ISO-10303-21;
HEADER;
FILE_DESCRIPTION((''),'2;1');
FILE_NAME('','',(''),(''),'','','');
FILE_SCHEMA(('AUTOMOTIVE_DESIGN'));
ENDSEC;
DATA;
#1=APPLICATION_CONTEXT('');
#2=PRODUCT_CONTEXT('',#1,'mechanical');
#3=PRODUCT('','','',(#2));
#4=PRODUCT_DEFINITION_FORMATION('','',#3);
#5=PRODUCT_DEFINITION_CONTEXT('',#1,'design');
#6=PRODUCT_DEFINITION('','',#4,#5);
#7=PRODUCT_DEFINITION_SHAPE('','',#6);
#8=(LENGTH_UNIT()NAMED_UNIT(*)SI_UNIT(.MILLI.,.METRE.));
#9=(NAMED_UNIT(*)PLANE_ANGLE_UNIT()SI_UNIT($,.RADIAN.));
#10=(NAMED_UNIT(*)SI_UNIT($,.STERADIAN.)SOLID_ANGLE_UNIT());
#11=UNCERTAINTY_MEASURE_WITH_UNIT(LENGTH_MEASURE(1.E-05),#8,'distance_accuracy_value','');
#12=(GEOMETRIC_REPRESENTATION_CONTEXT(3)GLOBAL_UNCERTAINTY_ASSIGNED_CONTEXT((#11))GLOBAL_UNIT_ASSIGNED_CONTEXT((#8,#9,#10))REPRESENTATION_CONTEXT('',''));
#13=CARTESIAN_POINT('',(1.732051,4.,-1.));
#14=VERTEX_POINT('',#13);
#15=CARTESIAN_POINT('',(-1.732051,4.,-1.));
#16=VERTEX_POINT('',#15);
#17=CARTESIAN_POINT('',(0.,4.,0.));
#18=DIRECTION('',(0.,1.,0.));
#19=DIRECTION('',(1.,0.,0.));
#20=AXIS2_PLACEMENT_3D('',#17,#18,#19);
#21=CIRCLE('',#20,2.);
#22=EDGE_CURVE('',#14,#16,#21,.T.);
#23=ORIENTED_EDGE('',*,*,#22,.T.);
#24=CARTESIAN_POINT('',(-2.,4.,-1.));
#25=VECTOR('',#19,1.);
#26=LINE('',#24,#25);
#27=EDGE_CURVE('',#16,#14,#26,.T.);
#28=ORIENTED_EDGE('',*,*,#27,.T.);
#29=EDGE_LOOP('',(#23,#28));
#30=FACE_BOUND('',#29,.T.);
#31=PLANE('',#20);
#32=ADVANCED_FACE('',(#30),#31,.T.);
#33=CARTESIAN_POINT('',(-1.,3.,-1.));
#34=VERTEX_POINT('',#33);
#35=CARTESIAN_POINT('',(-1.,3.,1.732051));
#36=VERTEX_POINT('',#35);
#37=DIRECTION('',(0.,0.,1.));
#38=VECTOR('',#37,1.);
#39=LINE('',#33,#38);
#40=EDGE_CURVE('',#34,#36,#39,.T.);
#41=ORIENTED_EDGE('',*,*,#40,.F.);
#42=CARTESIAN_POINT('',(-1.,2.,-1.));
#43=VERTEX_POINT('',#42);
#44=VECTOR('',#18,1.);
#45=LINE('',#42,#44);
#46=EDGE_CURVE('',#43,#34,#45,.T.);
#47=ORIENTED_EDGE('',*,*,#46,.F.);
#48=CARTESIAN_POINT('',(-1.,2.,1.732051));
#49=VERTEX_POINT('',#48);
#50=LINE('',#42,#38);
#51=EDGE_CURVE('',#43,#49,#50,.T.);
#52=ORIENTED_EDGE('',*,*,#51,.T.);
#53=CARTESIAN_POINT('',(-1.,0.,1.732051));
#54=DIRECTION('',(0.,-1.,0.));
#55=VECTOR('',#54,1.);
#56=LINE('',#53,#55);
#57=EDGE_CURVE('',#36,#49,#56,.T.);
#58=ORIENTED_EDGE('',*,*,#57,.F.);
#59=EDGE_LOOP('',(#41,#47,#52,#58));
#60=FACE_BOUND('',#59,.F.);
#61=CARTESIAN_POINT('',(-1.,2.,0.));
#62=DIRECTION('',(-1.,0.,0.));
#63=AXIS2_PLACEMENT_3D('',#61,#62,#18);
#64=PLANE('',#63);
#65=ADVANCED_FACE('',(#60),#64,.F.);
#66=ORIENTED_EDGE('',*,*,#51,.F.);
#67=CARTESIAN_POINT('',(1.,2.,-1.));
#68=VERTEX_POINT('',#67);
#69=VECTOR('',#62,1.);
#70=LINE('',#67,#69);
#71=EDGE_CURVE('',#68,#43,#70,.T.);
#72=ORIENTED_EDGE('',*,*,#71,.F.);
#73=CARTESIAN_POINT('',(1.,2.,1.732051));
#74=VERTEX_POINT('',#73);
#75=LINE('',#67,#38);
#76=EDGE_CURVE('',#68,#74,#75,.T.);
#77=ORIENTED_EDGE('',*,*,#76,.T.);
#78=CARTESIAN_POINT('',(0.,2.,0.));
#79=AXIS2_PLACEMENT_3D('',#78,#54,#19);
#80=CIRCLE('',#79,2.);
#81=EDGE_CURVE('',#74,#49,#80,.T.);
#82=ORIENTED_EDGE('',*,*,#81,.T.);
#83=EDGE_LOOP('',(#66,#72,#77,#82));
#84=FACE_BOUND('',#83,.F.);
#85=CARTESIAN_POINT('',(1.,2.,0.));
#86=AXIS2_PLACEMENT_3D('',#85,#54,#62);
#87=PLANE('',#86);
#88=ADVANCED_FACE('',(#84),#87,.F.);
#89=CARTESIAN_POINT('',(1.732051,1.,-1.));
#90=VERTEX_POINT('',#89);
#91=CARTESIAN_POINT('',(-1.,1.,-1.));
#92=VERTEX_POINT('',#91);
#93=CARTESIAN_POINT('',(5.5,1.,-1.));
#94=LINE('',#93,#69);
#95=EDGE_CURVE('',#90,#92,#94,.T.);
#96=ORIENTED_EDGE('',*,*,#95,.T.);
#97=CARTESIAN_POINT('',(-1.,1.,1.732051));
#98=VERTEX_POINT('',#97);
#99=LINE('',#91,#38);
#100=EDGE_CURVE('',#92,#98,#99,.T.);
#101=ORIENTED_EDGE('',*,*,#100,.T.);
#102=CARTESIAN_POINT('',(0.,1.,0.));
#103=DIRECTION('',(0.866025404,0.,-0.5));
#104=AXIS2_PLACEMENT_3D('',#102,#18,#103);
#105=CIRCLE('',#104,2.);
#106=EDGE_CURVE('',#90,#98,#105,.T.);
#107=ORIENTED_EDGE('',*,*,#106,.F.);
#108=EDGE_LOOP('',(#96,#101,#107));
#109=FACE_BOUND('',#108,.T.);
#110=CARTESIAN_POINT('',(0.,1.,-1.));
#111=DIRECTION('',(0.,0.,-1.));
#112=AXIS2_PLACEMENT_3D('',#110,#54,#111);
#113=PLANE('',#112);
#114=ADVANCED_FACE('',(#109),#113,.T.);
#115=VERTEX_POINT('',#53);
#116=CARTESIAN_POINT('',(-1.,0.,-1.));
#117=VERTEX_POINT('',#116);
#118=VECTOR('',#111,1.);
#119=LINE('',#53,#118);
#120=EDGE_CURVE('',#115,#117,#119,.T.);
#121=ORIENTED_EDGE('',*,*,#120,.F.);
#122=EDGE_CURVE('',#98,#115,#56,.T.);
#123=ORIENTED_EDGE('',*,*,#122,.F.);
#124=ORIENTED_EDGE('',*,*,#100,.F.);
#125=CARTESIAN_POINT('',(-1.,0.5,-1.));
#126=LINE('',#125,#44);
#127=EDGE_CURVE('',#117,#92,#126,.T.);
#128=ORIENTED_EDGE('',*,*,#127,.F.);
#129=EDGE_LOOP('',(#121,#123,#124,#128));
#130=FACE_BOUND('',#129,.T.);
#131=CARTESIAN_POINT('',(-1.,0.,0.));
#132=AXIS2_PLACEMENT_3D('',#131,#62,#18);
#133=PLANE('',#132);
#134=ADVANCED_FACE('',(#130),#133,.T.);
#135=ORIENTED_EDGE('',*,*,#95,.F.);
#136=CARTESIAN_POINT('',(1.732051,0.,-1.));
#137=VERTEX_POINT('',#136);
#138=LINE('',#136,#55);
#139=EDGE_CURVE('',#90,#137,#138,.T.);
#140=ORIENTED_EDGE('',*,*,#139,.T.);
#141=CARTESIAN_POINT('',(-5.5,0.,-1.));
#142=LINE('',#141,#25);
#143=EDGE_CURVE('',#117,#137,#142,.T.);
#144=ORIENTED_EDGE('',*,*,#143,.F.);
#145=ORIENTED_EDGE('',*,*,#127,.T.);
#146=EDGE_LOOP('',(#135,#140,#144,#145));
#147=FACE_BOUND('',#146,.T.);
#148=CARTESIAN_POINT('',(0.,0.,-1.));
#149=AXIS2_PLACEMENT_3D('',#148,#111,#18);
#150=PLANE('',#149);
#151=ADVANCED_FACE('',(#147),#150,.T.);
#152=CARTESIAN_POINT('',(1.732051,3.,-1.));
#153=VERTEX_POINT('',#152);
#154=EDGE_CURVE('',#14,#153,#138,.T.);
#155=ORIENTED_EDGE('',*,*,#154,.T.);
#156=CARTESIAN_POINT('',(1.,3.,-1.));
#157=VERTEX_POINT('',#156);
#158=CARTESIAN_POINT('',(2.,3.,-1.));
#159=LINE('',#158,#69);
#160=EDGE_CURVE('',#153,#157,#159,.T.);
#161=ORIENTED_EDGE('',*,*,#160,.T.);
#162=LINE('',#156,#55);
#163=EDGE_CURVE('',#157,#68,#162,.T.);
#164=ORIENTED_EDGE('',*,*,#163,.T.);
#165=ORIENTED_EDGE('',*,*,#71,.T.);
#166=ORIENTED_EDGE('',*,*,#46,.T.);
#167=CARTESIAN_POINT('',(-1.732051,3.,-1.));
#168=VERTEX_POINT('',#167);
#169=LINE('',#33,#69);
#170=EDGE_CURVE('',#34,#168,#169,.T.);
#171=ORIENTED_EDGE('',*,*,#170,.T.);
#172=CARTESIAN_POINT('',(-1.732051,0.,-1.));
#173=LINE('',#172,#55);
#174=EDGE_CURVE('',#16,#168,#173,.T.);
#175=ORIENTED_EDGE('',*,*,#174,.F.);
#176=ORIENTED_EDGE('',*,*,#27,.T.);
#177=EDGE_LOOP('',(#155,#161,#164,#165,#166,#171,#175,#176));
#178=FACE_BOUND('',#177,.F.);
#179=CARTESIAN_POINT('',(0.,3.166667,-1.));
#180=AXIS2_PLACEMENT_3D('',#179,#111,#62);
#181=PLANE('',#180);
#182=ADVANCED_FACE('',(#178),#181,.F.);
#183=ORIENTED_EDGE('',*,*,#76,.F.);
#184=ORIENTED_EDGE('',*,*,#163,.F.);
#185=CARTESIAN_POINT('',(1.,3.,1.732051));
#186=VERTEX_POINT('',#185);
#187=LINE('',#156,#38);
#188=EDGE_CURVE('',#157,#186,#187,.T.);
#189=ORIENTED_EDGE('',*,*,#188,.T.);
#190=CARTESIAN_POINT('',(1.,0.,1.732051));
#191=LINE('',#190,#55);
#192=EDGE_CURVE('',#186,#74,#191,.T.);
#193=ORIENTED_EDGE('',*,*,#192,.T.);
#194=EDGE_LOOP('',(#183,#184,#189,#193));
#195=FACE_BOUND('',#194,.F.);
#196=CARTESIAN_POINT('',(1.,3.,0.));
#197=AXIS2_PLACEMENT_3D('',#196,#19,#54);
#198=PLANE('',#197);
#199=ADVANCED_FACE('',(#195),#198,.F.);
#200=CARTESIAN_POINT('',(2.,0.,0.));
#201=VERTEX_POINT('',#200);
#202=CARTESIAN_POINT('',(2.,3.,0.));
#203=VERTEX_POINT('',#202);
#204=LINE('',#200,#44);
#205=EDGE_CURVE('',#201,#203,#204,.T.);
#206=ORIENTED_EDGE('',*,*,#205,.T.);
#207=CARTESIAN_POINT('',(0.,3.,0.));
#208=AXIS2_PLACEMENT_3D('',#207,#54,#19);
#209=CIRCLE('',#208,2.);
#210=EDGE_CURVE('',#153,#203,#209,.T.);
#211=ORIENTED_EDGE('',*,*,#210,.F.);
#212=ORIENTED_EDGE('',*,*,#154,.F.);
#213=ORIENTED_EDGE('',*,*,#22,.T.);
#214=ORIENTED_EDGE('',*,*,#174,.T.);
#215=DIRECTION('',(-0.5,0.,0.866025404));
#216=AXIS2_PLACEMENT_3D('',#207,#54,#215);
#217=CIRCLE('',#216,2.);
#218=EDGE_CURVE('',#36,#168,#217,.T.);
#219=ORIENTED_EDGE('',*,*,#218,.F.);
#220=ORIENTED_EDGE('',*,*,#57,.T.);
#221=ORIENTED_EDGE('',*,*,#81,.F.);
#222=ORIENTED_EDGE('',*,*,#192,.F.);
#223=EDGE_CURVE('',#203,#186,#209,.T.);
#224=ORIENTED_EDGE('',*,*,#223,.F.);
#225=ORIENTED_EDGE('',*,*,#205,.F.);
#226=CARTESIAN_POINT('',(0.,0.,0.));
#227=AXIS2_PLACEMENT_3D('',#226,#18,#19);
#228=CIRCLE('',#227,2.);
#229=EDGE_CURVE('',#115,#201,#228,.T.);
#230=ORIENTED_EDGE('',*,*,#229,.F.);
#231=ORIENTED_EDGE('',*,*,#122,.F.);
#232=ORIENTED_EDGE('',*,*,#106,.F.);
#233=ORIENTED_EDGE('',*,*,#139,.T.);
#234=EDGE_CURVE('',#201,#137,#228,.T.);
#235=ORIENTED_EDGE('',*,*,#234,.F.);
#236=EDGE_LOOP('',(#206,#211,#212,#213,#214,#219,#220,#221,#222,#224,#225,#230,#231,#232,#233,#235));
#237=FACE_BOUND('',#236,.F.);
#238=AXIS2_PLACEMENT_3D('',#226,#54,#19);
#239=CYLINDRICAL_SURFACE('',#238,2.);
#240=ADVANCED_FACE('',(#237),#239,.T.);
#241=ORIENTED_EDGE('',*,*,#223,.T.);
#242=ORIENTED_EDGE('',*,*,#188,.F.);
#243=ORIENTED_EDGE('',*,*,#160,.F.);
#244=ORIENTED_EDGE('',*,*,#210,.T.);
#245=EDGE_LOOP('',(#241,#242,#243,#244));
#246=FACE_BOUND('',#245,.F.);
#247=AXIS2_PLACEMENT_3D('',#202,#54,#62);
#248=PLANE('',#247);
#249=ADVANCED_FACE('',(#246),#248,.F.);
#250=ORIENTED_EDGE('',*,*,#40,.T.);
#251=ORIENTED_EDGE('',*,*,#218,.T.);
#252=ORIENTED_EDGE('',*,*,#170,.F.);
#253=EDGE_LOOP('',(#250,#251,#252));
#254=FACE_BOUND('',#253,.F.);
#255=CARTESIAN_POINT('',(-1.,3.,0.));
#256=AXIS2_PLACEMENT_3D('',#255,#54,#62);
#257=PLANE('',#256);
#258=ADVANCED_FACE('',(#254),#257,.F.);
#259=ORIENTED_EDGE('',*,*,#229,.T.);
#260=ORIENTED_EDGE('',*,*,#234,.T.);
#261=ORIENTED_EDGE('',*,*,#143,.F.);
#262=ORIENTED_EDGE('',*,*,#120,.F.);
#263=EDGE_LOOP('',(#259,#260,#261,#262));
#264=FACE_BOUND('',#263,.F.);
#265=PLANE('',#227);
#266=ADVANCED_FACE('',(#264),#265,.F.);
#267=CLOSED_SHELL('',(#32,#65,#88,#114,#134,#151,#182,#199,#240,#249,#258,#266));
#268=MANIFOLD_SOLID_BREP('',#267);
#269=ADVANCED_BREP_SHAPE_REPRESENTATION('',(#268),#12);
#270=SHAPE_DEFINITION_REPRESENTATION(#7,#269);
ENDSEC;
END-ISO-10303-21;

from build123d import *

# Parameters (mm, degrees)
SKETCH1_R               = 2
BOSS_EXTRUDE1_DEPTH     = 4
SKETCH2_W               = 1
SKETCH2_H               = 1
CUT_EXTRUDE4_DEPTH      = 11
CUT_EXTRUDE4_DEPTH_BACK = 1
SKETCH5_W               = 1
SKETCH5_H               = 1
CUT_EXTRUDE5_DEPTH      = 5.5


with BuildPart() as part:
    # Sketch1 → Boss-Extrude1 (new body)
    with BuildSketch(Plane(origin=(0, 0, 0), x_dir=(1, 0, 0), z_dir=(0, 1, 0))):
        Circle(SKETCH1_R)
    extrude(amount=BOSS_EXTRUDE1_DEPTH)

    # Sketch2 → Cut-Extrude4 (cut, two sides)
    with BuildSketch(Plane.XY) as cut_extrude4_sk:
        Polygon((-2, 4), (2, 4), (2, 3), (1, 3), (1, 2), (-1, 2), (-1, 3), (-2, 3), align=None)
        with Locations((-1.5, 0.5)):
            Rectangle(SKETCH2_W, SKETCH2_H)
    extrude(amount=CUT_EXTRUDE4_DEPTH, mode=Mode.SUBTRACT)
    extrude(cut_extrude4_sk.sketch, amount=-CUT_EXTRUDE4_DEPTH_BACK, mode=Mode.SUBTRACT)

    # Sketch5 → Cut-Extrude5 (cut, symmetric)
    with BuildSketch(Plane(origin=(0, 0, 0), x_dir=(0, 0, -1), z_dir=(1, 0, 0))):
        with Locations((1.5, 0.5)):
            Rectangle(SKETCH5_W, SKETCH5_H)
    extrude(amount=CUT_EXTRUDE5_DEPTH, both=True, mode=Mode.SUBTRACT)


solid = part.part
